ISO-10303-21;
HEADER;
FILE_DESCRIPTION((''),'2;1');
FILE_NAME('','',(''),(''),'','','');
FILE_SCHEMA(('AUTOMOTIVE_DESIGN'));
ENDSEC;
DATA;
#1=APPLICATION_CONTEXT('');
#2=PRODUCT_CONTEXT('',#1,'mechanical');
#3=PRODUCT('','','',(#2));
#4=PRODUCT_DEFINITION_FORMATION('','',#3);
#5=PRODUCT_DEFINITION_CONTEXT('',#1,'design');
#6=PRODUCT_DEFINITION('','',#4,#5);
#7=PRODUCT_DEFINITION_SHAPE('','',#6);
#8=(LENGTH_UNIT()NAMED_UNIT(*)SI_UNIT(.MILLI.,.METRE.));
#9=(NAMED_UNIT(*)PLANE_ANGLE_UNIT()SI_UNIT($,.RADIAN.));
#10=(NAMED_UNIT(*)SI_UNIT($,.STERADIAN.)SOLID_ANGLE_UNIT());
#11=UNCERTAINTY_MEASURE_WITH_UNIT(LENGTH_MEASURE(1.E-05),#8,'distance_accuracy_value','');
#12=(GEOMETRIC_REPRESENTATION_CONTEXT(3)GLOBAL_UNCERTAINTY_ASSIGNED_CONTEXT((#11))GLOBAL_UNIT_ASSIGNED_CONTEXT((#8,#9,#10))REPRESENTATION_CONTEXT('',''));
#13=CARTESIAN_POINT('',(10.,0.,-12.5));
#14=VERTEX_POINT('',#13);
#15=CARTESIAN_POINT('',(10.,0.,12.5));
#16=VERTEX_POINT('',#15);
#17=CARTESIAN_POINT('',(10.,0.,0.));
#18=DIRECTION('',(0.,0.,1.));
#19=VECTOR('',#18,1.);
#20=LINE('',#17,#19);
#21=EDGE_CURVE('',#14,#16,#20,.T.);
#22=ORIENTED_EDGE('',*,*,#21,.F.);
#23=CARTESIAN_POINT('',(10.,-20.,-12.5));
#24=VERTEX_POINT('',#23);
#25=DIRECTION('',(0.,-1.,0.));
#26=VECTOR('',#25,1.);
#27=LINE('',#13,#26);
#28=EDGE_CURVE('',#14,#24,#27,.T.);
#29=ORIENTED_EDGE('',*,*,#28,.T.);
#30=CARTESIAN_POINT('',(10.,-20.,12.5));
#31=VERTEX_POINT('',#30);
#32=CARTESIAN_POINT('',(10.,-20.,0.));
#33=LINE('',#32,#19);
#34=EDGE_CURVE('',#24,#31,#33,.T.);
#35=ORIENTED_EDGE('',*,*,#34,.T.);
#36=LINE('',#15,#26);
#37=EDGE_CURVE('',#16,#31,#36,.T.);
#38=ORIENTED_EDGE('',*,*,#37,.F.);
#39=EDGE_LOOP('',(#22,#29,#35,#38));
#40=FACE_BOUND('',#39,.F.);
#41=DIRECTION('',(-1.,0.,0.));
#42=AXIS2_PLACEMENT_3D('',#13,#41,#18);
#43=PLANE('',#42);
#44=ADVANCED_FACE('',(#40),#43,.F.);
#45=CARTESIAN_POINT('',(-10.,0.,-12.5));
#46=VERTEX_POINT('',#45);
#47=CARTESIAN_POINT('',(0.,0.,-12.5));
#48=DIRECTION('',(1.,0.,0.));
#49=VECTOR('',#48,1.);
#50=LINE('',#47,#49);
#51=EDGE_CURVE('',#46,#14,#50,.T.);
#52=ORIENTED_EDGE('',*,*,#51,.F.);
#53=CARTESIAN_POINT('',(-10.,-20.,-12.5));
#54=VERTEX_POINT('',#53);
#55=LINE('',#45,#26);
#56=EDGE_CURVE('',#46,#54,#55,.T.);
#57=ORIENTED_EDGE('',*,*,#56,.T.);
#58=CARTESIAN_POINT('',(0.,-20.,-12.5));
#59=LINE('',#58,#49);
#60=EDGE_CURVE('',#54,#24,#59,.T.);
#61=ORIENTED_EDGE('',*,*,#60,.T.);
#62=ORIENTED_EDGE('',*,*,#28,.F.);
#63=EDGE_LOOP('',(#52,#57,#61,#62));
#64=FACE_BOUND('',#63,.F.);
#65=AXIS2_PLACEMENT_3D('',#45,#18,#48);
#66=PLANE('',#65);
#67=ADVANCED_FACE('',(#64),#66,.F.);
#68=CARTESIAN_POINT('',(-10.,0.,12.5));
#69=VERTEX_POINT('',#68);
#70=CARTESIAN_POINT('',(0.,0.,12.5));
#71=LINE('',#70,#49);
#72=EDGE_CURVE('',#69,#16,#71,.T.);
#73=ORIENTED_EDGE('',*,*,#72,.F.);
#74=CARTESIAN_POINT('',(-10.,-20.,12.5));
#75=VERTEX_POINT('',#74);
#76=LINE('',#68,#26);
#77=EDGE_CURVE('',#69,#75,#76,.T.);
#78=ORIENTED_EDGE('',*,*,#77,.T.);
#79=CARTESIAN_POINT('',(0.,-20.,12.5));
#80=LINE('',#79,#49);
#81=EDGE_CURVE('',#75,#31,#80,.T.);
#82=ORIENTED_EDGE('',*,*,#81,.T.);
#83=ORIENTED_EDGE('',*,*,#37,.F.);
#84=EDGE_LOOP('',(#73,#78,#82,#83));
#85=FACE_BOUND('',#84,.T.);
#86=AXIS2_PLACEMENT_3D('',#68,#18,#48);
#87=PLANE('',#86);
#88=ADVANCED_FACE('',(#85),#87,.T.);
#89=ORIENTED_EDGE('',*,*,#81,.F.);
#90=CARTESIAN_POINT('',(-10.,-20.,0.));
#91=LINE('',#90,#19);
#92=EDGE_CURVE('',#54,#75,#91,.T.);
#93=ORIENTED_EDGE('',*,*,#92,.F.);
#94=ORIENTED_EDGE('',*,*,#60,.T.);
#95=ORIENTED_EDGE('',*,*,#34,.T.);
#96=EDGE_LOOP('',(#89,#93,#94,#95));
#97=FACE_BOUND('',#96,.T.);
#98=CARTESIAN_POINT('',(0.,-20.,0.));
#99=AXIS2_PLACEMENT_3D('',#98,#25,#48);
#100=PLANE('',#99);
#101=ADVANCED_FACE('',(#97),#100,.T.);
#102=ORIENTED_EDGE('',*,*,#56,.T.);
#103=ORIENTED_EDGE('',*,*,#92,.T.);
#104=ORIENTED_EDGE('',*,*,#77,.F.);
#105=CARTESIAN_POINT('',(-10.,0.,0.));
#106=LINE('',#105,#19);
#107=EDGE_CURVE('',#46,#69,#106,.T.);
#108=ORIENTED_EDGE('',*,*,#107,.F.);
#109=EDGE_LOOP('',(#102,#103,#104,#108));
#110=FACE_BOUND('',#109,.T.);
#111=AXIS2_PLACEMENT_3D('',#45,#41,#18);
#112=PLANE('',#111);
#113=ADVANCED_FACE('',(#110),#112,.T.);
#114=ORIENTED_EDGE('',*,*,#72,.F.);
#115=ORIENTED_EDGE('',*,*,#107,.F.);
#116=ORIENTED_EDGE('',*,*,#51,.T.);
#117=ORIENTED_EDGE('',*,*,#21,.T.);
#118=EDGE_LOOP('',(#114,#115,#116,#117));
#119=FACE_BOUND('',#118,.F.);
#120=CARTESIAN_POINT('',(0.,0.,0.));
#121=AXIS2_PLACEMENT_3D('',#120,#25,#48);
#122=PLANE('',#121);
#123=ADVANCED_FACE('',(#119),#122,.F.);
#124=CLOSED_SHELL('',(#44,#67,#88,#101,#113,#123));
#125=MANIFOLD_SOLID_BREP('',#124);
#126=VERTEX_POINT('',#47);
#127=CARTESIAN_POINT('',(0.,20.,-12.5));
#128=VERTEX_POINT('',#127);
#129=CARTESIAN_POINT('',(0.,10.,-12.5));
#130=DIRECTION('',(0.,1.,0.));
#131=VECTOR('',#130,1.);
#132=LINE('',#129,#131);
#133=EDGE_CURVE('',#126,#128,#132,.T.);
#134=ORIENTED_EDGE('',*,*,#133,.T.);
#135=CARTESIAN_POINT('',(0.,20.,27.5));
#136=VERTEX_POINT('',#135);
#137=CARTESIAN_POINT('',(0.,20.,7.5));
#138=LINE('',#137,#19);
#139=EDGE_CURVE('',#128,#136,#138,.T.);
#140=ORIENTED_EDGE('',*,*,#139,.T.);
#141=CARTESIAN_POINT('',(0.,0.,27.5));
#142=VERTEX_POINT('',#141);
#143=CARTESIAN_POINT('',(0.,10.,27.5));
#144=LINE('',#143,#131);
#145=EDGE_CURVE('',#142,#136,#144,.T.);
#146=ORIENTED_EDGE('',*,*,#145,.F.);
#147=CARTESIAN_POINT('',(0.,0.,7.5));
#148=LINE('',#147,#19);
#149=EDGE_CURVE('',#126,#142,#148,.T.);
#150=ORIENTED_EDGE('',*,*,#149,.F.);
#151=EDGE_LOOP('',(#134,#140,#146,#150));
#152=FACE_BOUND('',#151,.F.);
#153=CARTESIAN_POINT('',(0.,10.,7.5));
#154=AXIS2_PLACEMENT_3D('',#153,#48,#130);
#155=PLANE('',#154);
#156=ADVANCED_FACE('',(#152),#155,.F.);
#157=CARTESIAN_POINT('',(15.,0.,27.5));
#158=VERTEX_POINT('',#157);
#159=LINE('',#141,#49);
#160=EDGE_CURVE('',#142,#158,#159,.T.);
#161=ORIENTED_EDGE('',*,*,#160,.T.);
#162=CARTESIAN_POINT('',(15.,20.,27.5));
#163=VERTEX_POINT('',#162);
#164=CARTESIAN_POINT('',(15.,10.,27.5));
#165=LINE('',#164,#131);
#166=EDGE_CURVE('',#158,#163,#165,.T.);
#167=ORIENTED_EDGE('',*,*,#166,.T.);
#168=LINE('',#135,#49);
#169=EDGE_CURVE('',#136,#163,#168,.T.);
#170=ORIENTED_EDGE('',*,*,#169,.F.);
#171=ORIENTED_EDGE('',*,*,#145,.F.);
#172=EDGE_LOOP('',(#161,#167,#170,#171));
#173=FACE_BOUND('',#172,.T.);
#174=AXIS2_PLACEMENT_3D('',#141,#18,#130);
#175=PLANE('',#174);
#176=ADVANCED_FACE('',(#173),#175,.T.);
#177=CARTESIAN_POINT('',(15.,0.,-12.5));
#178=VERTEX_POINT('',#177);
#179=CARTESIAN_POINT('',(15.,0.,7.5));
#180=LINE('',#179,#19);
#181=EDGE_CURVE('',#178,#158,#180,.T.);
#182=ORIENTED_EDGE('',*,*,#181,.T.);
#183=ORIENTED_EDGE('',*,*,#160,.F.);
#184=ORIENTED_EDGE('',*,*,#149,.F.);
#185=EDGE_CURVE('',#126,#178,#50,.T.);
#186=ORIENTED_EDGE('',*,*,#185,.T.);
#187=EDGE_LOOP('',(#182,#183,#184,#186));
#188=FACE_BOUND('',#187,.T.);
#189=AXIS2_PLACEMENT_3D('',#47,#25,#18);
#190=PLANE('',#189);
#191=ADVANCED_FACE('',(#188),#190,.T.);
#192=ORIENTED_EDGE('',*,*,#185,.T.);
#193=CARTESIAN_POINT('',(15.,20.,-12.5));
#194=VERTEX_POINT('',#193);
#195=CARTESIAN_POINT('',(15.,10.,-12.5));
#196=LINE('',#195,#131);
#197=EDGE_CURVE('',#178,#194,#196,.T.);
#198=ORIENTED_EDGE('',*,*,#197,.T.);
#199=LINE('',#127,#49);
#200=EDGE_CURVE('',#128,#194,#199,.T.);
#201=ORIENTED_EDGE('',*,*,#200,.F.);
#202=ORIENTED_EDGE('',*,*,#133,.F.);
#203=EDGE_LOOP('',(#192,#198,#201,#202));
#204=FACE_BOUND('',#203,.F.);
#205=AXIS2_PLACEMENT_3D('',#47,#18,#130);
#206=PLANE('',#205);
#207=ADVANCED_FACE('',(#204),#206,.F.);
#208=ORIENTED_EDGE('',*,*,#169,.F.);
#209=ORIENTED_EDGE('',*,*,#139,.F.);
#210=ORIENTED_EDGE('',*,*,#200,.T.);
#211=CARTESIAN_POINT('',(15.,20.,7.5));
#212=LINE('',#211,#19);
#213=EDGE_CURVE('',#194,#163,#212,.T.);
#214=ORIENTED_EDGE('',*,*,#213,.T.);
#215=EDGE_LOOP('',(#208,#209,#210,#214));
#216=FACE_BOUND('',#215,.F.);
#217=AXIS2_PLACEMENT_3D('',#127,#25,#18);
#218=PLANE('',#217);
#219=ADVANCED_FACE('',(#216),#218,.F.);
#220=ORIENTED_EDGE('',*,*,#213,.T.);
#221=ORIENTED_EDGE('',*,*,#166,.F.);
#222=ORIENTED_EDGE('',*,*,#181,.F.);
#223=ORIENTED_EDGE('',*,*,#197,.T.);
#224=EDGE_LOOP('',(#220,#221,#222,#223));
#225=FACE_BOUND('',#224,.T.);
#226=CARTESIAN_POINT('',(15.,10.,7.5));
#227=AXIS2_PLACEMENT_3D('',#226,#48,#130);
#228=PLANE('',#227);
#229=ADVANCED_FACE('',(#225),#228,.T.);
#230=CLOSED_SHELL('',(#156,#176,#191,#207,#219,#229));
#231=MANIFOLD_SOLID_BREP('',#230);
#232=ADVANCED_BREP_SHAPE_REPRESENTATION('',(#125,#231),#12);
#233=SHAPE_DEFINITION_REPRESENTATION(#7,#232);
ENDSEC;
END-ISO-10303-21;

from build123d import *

# Parameters (mm, degrees)
F0_W     = 20
F0_H     = 25
F1_DEPTH = 20
F2_W     = 20
F2_H     = 40
F3_DEPTH = 15


with BuildPart() as f1:
    # F0 (on Front) → F1 (new body)
    with BuildSketch(Plane.XZ):
        Rectangle(F0_W, F0_H)
    extrude(amount=F1_DEPTH)


with BuildPart() as f3:
    # F2 (on Right) → F3 (new body)
    with BuildSketch(Plane.YZ):
        with Locations((10, 7.5)):
            Rectangle(F2_W, F2_H)
    extrude(amount=F3_DEPTH)


solid = Compound([f1.part, f3.part])
